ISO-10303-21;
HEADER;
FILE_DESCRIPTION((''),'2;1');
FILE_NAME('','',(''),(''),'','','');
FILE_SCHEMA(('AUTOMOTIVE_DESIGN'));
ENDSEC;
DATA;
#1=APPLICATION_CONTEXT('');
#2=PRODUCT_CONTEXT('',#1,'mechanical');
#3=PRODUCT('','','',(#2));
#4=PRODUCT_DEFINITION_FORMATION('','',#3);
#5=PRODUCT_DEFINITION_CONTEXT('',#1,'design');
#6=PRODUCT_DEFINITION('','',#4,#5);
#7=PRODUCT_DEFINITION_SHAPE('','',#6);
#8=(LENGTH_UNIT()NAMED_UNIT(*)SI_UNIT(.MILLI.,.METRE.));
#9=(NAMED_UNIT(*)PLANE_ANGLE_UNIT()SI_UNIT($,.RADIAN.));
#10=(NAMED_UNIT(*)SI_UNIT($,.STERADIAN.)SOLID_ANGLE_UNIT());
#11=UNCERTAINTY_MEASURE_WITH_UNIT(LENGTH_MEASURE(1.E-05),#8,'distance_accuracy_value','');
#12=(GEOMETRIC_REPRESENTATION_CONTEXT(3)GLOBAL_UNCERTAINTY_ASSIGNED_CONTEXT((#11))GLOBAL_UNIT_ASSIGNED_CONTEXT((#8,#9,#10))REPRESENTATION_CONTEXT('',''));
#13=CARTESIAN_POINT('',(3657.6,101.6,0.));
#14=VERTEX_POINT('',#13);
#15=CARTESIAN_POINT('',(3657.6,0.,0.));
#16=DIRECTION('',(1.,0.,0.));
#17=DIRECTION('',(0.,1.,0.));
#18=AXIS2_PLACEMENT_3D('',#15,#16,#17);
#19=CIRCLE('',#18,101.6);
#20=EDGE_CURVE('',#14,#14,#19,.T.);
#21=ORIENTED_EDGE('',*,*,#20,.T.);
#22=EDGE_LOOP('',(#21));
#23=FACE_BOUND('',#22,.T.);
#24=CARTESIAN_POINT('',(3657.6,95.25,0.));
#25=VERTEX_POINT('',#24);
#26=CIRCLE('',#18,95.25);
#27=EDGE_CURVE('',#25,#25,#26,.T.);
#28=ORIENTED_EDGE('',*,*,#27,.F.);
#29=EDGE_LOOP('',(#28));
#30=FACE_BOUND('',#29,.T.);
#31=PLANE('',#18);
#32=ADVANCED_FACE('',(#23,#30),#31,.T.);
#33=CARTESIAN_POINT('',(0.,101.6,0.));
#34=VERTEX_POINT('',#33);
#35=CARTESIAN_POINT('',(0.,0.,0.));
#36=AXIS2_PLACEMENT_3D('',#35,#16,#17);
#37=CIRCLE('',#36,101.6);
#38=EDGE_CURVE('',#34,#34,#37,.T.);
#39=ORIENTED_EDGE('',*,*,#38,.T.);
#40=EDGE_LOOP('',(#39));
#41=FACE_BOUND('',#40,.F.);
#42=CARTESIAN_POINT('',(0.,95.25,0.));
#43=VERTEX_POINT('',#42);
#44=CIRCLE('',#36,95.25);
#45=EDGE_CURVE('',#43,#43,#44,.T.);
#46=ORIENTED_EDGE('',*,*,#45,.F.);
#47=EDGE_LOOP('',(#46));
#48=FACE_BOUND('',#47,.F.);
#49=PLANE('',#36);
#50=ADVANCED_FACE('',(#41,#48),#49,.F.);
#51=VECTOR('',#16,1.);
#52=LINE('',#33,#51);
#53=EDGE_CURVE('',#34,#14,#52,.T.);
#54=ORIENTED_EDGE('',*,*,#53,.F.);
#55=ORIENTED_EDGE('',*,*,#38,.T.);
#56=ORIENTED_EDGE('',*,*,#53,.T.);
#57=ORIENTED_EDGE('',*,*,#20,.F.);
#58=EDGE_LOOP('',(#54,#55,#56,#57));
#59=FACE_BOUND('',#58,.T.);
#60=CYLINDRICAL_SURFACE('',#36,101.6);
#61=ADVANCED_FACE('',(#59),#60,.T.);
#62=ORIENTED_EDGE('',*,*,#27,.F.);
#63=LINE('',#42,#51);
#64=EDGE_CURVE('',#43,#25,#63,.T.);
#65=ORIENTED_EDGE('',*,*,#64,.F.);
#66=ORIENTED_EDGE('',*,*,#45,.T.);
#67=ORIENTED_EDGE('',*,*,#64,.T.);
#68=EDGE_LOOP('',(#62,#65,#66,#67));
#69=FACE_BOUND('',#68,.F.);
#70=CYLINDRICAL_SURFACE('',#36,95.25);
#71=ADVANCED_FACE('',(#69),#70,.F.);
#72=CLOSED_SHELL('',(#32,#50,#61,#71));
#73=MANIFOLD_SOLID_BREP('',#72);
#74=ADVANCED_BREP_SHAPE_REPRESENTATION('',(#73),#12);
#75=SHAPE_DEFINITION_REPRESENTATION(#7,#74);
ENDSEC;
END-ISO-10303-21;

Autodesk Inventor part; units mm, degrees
ref_plane "YZ Plane" through (0, 0, 0) normal (1, 0, 0) x (0, 1, 0)
ref_plane "XZ Plane" through (0, 0, 0) normal (0, 1, 0) x (-1, 0, 0)
ref_plane "XY Plane" through (0, 0, 0) normal (0, 0, 1) x (1, 0, 0)
sketch "Sketch1" plane through (0, 0, 0) normal (0, 0, 1) x (1, 0, 0)
  line L0 (0, 101.6) -> (3657.6, 101.6)
  line L1 (3657.6, 101.6) -> (3657.6, 0)
  line L2 (0, 101.6) -> (0, 0)
  line L3 (0, 0) -> (3657.6, 0)
  dimension "d0" = 101.6
  dimension "d1" = 3657.6
revolve "Revolution1" add sketch "Sketch1" angle 360 about axis through (0, 0, 0) along (1, 0, 0)
shell "Shell1" thickness 6.35 removed faces 2 at (0, -18.1407, 15.8994) at (3657.6, -41.6356, 16.7199)
properties part number "airframe" material "Aluminum 6061"
